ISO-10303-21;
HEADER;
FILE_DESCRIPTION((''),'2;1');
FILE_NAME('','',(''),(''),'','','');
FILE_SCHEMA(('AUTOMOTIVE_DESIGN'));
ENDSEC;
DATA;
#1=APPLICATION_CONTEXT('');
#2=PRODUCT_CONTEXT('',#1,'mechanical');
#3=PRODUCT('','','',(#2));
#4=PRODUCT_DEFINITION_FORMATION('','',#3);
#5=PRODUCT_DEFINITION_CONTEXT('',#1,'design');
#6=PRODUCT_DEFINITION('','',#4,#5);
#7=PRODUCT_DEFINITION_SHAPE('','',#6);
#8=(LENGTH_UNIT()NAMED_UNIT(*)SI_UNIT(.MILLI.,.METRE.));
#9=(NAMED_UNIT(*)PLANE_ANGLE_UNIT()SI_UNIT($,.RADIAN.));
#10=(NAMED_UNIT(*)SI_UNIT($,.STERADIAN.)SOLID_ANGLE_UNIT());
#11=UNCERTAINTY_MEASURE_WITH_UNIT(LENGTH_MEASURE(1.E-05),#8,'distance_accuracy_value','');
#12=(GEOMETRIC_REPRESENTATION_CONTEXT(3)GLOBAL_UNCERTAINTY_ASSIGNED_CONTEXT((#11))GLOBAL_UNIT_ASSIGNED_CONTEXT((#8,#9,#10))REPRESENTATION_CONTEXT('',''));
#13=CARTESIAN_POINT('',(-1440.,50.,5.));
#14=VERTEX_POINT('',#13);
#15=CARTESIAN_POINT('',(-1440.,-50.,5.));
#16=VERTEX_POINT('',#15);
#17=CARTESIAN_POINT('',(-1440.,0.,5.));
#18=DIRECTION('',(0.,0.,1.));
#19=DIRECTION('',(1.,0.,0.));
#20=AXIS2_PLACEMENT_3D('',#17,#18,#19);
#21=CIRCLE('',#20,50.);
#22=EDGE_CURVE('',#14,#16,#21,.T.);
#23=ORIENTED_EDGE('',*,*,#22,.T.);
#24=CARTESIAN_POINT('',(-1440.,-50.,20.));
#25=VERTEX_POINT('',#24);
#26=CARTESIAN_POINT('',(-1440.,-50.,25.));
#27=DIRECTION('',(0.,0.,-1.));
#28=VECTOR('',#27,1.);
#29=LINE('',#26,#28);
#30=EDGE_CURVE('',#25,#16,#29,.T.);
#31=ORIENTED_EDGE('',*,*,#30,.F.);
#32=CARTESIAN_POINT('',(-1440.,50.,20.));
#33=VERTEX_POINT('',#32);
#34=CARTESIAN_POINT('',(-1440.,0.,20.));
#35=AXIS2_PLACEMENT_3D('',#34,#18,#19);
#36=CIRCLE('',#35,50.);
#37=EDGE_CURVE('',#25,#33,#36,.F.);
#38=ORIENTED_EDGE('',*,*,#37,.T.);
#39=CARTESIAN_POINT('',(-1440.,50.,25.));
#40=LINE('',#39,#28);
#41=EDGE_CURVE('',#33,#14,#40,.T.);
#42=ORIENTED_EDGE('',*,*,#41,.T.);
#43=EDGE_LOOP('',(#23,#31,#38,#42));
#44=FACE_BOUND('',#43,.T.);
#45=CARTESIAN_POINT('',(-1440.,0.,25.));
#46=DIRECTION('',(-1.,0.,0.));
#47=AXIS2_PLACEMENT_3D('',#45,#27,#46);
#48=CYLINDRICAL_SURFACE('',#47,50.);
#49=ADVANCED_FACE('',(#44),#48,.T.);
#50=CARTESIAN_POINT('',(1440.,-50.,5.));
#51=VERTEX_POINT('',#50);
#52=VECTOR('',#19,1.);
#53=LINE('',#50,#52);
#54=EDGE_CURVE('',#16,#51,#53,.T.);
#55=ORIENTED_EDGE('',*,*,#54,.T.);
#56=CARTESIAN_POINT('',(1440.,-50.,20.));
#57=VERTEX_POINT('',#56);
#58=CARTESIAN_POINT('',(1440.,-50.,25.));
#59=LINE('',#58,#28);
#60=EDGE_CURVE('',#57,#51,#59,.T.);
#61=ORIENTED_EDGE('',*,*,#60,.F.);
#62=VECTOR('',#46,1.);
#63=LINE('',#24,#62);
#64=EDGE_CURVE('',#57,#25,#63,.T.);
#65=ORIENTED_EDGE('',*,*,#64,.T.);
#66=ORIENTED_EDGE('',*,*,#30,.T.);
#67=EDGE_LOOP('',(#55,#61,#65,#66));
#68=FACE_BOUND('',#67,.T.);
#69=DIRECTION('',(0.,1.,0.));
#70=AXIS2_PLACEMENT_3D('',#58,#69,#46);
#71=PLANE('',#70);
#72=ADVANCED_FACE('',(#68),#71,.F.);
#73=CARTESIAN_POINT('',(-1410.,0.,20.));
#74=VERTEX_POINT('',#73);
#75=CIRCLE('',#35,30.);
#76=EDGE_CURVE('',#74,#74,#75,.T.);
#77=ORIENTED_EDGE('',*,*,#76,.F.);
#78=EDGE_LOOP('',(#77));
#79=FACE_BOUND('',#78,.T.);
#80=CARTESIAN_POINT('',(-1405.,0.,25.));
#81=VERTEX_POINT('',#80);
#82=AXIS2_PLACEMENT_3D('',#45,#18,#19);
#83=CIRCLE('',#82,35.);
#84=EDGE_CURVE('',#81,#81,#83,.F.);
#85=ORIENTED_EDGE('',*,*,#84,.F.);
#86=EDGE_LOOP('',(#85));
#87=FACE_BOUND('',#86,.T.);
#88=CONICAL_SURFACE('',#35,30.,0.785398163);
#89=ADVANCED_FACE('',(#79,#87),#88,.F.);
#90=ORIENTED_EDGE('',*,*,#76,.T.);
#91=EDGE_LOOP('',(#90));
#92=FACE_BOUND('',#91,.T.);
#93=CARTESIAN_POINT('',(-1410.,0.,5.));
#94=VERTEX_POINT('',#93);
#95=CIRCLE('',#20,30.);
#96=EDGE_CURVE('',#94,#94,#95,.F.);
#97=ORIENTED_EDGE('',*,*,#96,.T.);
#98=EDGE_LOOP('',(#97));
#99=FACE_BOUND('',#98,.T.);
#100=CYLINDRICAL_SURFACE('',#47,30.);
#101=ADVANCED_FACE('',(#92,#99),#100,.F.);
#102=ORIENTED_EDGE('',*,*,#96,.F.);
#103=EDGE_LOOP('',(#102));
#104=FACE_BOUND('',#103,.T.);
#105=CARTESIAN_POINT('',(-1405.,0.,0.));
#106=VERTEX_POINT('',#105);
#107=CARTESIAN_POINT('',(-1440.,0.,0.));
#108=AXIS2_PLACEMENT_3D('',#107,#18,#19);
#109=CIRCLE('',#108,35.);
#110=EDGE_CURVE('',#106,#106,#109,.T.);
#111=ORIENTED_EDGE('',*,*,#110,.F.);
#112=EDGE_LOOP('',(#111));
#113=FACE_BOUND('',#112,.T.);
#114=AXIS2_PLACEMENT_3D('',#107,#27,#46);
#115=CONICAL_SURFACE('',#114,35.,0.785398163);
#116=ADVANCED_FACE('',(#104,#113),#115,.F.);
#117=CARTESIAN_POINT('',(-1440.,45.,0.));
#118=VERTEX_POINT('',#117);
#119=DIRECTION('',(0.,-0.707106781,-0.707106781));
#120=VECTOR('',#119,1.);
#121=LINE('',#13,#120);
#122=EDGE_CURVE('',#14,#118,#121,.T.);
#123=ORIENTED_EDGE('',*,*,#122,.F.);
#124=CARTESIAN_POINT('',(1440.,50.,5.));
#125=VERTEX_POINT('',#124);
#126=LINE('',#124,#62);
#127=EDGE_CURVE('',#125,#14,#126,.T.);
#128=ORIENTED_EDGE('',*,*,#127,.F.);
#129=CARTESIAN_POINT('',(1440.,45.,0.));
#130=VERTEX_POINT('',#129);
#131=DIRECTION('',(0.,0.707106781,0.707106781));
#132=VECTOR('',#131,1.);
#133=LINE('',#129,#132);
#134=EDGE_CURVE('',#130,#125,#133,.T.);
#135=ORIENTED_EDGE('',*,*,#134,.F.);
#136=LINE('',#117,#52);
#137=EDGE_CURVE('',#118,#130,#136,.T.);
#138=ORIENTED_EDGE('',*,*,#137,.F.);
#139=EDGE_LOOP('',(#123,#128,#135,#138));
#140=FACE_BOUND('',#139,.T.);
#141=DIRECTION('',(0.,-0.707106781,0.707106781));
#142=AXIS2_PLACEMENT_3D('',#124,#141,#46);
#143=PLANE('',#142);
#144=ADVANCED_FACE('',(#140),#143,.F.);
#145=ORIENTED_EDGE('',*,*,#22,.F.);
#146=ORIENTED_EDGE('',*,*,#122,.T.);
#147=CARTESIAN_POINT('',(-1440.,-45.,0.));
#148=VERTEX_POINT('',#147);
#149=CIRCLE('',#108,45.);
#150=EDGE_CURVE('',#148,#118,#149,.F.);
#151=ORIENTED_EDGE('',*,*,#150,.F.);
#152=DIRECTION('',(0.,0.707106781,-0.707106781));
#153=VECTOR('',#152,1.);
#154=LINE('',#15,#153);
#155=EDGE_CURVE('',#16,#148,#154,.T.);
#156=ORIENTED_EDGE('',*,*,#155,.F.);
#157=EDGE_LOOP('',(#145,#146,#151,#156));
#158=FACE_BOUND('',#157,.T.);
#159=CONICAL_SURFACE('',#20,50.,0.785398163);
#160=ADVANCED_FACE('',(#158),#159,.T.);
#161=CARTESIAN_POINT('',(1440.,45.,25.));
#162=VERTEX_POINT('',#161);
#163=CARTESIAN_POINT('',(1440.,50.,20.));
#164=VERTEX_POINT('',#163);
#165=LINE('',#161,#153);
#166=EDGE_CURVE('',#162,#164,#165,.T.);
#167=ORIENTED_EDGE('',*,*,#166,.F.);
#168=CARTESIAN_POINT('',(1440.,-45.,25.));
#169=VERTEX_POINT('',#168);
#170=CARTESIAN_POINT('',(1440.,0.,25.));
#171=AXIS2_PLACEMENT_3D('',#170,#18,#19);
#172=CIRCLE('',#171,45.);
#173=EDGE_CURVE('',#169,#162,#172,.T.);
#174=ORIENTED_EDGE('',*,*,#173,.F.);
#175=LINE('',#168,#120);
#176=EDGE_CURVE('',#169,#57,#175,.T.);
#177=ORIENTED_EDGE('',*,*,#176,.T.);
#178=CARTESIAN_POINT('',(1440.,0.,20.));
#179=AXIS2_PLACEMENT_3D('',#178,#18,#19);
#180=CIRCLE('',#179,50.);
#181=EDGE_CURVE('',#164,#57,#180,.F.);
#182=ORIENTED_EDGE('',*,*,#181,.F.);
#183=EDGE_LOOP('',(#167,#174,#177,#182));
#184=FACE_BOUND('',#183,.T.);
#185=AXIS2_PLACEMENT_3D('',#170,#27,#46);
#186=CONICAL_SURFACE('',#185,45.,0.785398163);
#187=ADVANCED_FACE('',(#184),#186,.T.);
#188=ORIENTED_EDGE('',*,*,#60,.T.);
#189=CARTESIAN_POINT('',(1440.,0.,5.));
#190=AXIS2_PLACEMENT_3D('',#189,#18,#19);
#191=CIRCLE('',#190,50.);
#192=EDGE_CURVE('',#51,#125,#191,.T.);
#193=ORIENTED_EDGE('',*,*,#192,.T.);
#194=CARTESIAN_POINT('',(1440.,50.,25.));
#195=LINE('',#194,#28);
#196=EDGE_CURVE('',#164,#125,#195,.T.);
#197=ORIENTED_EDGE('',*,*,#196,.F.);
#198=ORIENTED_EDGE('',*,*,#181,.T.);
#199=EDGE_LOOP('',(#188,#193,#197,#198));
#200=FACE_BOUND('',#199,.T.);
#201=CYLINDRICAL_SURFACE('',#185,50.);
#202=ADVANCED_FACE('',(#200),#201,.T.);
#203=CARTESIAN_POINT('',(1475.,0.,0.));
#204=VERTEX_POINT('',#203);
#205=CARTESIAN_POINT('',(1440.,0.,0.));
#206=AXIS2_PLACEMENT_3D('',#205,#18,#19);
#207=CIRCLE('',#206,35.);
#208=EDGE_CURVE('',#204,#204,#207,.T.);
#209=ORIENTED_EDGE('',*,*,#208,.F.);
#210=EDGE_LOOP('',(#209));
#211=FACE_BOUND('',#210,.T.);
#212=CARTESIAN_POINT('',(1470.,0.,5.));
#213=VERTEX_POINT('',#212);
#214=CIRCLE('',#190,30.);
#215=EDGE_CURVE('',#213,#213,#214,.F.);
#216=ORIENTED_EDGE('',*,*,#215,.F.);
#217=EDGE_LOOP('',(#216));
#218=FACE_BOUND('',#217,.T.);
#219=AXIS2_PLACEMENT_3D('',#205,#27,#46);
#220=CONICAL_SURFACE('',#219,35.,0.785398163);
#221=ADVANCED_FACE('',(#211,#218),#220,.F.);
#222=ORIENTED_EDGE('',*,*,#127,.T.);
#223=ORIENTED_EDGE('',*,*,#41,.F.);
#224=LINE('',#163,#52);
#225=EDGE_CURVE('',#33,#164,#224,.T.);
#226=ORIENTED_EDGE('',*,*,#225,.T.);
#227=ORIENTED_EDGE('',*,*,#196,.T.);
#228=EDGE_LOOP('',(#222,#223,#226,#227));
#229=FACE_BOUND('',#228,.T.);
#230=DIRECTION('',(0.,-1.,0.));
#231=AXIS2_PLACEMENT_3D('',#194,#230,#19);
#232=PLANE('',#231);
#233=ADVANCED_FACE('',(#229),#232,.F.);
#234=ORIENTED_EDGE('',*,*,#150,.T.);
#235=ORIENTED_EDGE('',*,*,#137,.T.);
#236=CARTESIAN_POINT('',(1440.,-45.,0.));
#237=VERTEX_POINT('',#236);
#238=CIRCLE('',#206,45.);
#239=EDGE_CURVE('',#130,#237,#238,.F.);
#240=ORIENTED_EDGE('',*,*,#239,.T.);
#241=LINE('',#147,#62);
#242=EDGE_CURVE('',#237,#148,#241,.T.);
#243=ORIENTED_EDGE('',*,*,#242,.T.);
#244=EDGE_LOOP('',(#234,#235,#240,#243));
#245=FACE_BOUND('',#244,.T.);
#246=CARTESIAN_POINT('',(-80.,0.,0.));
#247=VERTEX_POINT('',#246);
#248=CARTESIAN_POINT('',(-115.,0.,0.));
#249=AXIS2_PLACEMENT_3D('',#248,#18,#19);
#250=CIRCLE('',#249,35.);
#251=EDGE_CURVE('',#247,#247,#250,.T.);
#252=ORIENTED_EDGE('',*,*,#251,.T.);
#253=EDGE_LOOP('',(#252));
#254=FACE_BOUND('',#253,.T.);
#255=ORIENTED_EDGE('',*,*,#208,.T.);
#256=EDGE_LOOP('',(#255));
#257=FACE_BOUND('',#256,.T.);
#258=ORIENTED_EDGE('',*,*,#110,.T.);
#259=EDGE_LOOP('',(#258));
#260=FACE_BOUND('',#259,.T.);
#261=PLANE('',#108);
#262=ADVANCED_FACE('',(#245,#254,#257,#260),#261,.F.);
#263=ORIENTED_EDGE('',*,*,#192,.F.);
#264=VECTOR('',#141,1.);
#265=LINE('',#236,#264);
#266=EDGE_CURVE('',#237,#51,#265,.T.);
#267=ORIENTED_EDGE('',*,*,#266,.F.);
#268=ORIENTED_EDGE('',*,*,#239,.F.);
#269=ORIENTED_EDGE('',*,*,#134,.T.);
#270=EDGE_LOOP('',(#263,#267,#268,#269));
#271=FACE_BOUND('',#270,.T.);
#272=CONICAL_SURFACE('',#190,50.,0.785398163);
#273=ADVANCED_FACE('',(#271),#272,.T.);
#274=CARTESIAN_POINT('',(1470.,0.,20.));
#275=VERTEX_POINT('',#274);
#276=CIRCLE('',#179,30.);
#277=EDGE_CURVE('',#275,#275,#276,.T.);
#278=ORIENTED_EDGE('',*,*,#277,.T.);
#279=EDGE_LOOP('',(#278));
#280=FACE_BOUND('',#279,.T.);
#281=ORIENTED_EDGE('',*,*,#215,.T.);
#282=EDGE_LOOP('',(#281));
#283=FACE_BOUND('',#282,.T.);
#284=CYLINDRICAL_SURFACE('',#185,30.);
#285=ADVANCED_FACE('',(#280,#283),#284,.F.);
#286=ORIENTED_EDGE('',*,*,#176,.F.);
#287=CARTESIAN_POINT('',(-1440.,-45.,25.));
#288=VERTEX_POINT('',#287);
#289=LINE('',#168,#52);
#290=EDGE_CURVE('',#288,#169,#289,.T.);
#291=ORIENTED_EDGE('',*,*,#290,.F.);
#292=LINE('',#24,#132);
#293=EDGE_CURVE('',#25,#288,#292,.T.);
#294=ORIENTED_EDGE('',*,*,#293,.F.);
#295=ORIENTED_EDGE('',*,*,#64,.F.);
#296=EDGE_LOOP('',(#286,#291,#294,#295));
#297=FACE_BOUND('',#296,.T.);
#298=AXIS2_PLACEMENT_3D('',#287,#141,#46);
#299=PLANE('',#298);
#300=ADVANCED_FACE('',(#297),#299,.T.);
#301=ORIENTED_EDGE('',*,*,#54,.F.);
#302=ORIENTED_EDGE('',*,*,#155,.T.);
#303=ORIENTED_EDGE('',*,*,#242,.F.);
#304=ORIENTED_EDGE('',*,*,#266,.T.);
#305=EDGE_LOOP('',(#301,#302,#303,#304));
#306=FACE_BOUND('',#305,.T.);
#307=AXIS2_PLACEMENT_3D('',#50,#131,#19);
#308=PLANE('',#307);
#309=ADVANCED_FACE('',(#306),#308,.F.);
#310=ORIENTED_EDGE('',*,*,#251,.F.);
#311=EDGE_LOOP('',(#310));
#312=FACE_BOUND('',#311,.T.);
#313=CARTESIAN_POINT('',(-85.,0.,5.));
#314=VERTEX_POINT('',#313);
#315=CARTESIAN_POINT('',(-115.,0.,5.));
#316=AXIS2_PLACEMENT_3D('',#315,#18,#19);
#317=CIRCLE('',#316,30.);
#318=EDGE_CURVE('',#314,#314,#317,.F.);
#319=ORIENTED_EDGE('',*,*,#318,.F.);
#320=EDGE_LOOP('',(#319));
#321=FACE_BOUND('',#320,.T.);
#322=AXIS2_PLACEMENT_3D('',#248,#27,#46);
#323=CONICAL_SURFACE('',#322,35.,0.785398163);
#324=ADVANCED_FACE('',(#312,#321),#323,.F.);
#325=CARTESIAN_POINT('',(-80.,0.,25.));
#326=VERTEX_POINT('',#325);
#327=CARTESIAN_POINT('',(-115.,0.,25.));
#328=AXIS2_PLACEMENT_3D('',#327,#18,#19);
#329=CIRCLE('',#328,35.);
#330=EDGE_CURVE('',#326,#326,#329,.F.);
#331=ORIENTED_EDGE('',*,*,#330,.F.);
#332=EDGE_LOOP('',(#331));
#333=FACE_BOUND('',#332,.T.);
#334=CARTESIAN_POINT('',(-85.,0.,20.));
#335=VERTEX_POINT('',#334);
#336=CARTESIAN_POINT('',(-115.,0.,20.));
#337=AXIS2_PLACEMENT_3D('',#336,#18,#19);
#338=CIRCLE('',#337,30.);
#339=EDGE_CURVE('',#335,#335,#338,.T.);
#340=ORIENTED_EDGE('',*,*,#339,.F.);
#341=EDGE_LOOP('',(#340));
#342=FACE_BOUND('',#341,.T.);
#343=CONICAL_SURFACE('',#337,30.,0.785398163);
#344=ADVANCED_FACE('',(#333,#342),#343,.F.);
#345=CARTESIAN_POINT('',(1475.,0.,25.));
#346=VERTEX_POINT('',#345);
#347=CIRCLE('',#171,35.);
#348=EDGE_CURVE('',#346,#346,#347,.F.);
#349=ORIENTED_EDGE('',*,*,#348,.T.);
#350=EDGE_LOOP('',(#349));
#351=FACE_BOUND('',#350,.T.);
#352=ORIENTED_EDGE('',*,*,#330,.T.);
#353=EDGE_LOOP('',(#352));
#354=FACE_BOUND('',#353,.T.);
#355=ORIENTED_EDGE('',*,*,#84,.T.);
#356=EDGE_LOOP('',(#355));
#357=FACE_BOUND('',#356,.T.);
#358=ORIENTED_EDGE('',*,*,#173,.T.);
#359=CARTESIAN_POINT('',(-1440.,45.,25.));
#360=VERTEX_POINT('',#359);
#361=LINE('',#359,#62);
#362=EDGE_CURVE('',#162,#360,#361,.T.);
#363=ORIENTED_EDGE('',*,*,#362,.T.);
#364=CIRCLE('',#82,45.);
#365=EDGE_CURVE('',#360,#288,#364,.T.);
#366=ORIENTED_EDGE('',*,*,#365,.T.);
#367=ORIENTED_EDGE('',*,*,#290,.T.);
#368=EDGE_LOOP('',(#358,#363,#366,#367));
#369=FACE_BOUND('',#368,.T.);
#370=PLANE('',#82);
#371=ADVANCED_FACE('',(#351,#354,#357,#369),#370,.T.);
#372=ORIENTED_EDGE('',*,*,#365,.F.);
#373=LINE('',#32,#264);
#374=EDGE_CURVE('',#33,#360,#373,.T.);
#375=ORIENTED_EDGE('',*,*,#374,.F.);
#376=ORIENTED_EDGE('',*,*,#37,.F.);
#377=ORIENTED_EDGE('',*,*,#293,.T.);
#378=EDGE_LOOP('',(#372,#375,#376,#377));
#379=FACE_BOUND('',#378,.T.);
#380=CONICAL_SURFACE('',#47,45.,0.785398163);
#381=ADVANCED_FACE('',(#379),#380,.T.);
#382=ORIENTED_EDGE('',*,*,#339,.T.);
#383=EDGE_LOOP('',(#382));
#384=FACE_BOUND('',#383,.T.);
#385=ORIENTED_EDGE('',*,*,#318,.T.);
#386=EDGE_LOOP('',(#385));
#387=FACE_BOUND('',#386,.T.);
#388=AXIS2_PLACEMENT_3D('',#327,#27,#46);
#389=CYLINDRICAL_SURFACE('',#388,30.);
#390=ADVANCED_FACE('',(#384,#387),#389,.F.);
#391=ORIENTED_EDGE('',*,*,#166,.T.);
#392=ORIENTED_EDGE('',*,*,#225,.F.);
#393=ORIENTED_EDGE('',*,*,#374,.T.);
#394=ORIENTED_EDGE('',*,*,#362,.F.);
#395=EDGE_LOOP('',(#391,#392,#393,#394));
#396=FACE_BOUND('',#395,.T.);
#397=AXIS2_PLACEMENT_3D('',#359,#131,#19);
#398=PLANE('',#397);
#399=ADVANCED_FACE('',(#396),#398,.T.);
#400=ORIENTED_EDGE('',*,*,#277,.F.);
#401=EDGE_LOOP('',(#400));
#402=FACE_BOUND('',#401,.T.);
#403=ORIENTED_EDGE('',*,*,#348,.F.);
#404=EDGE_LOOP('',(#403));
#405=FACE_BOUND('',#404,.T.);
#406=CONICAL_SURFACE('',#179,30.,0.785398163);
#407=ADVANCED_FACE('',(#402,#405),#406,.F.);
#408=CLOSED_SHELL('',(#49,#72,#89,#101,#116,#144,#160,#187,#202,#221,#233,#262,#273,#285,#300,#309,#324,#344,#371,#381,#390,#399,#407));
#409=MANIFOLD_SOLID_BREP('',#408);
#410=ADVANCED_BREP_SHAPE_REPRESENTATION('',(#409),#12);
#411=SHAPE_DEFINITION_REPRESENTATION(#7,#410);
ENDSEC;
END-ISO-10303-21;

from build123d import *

# Parameters (mm, degrees)
SKETCH1_R           = 30
BOSS_EXTRUDE1_DEPTH = 25
CHAMFER1_SIZE       = 5


with BuildPart() as part:
    # Sketch1 → Boss-Extrude1 (new body)
    with BuildSketch(Plane.XY):
        with BuildLine():
            Line((1440, -50), (-1440, -50))
            ThreePointArc((-1440, -50), (-1490, 0), (-1440, 50))
            Line((-1440, 50), (1440, 50))
            ThreePointArc((1440, 50), (1490, 0), (1440, -50))
        make_face()
        with Locations((-1440, 0)):
            Circle(SKETCH1_R, mode=Mode.SUBTRACT)
        with Locations(Location((1440, 0, 0), (0, 0, 180))):
            Circle(SKETCH1_R, mode=Mode.SUBTRACT)
        with Locations((-115, 0)):
            Circle(SKETCH1_R, mode=Mode.SUBTRACT)
    extrude(amount=BOSS_EXTRUDE1_DEPTH)

    # Chamfer1
    chamfer1_edges = [part.edges().sort_by_distance(p)[0] for p in [
        (1490, 0, 25),
        (-1470, 0, 0),
        (-1470, 0, 25),
        (0, 50, 25),
        (1470, 0, 0),
        (1470, 0, 25),
        (-145, 0, 0),
        (-145, 0, 25),
        (-1490, 0, 25),
        (0, 50, 0),
        (1490, 0, 0),
        (0, -50, 0),
        (-1490, 0, 0),
        (0, -50, 25),
    ]]
    chamfer(chamfer1_edges, length=CHAMFER1_SIZE)


solid = part.part
